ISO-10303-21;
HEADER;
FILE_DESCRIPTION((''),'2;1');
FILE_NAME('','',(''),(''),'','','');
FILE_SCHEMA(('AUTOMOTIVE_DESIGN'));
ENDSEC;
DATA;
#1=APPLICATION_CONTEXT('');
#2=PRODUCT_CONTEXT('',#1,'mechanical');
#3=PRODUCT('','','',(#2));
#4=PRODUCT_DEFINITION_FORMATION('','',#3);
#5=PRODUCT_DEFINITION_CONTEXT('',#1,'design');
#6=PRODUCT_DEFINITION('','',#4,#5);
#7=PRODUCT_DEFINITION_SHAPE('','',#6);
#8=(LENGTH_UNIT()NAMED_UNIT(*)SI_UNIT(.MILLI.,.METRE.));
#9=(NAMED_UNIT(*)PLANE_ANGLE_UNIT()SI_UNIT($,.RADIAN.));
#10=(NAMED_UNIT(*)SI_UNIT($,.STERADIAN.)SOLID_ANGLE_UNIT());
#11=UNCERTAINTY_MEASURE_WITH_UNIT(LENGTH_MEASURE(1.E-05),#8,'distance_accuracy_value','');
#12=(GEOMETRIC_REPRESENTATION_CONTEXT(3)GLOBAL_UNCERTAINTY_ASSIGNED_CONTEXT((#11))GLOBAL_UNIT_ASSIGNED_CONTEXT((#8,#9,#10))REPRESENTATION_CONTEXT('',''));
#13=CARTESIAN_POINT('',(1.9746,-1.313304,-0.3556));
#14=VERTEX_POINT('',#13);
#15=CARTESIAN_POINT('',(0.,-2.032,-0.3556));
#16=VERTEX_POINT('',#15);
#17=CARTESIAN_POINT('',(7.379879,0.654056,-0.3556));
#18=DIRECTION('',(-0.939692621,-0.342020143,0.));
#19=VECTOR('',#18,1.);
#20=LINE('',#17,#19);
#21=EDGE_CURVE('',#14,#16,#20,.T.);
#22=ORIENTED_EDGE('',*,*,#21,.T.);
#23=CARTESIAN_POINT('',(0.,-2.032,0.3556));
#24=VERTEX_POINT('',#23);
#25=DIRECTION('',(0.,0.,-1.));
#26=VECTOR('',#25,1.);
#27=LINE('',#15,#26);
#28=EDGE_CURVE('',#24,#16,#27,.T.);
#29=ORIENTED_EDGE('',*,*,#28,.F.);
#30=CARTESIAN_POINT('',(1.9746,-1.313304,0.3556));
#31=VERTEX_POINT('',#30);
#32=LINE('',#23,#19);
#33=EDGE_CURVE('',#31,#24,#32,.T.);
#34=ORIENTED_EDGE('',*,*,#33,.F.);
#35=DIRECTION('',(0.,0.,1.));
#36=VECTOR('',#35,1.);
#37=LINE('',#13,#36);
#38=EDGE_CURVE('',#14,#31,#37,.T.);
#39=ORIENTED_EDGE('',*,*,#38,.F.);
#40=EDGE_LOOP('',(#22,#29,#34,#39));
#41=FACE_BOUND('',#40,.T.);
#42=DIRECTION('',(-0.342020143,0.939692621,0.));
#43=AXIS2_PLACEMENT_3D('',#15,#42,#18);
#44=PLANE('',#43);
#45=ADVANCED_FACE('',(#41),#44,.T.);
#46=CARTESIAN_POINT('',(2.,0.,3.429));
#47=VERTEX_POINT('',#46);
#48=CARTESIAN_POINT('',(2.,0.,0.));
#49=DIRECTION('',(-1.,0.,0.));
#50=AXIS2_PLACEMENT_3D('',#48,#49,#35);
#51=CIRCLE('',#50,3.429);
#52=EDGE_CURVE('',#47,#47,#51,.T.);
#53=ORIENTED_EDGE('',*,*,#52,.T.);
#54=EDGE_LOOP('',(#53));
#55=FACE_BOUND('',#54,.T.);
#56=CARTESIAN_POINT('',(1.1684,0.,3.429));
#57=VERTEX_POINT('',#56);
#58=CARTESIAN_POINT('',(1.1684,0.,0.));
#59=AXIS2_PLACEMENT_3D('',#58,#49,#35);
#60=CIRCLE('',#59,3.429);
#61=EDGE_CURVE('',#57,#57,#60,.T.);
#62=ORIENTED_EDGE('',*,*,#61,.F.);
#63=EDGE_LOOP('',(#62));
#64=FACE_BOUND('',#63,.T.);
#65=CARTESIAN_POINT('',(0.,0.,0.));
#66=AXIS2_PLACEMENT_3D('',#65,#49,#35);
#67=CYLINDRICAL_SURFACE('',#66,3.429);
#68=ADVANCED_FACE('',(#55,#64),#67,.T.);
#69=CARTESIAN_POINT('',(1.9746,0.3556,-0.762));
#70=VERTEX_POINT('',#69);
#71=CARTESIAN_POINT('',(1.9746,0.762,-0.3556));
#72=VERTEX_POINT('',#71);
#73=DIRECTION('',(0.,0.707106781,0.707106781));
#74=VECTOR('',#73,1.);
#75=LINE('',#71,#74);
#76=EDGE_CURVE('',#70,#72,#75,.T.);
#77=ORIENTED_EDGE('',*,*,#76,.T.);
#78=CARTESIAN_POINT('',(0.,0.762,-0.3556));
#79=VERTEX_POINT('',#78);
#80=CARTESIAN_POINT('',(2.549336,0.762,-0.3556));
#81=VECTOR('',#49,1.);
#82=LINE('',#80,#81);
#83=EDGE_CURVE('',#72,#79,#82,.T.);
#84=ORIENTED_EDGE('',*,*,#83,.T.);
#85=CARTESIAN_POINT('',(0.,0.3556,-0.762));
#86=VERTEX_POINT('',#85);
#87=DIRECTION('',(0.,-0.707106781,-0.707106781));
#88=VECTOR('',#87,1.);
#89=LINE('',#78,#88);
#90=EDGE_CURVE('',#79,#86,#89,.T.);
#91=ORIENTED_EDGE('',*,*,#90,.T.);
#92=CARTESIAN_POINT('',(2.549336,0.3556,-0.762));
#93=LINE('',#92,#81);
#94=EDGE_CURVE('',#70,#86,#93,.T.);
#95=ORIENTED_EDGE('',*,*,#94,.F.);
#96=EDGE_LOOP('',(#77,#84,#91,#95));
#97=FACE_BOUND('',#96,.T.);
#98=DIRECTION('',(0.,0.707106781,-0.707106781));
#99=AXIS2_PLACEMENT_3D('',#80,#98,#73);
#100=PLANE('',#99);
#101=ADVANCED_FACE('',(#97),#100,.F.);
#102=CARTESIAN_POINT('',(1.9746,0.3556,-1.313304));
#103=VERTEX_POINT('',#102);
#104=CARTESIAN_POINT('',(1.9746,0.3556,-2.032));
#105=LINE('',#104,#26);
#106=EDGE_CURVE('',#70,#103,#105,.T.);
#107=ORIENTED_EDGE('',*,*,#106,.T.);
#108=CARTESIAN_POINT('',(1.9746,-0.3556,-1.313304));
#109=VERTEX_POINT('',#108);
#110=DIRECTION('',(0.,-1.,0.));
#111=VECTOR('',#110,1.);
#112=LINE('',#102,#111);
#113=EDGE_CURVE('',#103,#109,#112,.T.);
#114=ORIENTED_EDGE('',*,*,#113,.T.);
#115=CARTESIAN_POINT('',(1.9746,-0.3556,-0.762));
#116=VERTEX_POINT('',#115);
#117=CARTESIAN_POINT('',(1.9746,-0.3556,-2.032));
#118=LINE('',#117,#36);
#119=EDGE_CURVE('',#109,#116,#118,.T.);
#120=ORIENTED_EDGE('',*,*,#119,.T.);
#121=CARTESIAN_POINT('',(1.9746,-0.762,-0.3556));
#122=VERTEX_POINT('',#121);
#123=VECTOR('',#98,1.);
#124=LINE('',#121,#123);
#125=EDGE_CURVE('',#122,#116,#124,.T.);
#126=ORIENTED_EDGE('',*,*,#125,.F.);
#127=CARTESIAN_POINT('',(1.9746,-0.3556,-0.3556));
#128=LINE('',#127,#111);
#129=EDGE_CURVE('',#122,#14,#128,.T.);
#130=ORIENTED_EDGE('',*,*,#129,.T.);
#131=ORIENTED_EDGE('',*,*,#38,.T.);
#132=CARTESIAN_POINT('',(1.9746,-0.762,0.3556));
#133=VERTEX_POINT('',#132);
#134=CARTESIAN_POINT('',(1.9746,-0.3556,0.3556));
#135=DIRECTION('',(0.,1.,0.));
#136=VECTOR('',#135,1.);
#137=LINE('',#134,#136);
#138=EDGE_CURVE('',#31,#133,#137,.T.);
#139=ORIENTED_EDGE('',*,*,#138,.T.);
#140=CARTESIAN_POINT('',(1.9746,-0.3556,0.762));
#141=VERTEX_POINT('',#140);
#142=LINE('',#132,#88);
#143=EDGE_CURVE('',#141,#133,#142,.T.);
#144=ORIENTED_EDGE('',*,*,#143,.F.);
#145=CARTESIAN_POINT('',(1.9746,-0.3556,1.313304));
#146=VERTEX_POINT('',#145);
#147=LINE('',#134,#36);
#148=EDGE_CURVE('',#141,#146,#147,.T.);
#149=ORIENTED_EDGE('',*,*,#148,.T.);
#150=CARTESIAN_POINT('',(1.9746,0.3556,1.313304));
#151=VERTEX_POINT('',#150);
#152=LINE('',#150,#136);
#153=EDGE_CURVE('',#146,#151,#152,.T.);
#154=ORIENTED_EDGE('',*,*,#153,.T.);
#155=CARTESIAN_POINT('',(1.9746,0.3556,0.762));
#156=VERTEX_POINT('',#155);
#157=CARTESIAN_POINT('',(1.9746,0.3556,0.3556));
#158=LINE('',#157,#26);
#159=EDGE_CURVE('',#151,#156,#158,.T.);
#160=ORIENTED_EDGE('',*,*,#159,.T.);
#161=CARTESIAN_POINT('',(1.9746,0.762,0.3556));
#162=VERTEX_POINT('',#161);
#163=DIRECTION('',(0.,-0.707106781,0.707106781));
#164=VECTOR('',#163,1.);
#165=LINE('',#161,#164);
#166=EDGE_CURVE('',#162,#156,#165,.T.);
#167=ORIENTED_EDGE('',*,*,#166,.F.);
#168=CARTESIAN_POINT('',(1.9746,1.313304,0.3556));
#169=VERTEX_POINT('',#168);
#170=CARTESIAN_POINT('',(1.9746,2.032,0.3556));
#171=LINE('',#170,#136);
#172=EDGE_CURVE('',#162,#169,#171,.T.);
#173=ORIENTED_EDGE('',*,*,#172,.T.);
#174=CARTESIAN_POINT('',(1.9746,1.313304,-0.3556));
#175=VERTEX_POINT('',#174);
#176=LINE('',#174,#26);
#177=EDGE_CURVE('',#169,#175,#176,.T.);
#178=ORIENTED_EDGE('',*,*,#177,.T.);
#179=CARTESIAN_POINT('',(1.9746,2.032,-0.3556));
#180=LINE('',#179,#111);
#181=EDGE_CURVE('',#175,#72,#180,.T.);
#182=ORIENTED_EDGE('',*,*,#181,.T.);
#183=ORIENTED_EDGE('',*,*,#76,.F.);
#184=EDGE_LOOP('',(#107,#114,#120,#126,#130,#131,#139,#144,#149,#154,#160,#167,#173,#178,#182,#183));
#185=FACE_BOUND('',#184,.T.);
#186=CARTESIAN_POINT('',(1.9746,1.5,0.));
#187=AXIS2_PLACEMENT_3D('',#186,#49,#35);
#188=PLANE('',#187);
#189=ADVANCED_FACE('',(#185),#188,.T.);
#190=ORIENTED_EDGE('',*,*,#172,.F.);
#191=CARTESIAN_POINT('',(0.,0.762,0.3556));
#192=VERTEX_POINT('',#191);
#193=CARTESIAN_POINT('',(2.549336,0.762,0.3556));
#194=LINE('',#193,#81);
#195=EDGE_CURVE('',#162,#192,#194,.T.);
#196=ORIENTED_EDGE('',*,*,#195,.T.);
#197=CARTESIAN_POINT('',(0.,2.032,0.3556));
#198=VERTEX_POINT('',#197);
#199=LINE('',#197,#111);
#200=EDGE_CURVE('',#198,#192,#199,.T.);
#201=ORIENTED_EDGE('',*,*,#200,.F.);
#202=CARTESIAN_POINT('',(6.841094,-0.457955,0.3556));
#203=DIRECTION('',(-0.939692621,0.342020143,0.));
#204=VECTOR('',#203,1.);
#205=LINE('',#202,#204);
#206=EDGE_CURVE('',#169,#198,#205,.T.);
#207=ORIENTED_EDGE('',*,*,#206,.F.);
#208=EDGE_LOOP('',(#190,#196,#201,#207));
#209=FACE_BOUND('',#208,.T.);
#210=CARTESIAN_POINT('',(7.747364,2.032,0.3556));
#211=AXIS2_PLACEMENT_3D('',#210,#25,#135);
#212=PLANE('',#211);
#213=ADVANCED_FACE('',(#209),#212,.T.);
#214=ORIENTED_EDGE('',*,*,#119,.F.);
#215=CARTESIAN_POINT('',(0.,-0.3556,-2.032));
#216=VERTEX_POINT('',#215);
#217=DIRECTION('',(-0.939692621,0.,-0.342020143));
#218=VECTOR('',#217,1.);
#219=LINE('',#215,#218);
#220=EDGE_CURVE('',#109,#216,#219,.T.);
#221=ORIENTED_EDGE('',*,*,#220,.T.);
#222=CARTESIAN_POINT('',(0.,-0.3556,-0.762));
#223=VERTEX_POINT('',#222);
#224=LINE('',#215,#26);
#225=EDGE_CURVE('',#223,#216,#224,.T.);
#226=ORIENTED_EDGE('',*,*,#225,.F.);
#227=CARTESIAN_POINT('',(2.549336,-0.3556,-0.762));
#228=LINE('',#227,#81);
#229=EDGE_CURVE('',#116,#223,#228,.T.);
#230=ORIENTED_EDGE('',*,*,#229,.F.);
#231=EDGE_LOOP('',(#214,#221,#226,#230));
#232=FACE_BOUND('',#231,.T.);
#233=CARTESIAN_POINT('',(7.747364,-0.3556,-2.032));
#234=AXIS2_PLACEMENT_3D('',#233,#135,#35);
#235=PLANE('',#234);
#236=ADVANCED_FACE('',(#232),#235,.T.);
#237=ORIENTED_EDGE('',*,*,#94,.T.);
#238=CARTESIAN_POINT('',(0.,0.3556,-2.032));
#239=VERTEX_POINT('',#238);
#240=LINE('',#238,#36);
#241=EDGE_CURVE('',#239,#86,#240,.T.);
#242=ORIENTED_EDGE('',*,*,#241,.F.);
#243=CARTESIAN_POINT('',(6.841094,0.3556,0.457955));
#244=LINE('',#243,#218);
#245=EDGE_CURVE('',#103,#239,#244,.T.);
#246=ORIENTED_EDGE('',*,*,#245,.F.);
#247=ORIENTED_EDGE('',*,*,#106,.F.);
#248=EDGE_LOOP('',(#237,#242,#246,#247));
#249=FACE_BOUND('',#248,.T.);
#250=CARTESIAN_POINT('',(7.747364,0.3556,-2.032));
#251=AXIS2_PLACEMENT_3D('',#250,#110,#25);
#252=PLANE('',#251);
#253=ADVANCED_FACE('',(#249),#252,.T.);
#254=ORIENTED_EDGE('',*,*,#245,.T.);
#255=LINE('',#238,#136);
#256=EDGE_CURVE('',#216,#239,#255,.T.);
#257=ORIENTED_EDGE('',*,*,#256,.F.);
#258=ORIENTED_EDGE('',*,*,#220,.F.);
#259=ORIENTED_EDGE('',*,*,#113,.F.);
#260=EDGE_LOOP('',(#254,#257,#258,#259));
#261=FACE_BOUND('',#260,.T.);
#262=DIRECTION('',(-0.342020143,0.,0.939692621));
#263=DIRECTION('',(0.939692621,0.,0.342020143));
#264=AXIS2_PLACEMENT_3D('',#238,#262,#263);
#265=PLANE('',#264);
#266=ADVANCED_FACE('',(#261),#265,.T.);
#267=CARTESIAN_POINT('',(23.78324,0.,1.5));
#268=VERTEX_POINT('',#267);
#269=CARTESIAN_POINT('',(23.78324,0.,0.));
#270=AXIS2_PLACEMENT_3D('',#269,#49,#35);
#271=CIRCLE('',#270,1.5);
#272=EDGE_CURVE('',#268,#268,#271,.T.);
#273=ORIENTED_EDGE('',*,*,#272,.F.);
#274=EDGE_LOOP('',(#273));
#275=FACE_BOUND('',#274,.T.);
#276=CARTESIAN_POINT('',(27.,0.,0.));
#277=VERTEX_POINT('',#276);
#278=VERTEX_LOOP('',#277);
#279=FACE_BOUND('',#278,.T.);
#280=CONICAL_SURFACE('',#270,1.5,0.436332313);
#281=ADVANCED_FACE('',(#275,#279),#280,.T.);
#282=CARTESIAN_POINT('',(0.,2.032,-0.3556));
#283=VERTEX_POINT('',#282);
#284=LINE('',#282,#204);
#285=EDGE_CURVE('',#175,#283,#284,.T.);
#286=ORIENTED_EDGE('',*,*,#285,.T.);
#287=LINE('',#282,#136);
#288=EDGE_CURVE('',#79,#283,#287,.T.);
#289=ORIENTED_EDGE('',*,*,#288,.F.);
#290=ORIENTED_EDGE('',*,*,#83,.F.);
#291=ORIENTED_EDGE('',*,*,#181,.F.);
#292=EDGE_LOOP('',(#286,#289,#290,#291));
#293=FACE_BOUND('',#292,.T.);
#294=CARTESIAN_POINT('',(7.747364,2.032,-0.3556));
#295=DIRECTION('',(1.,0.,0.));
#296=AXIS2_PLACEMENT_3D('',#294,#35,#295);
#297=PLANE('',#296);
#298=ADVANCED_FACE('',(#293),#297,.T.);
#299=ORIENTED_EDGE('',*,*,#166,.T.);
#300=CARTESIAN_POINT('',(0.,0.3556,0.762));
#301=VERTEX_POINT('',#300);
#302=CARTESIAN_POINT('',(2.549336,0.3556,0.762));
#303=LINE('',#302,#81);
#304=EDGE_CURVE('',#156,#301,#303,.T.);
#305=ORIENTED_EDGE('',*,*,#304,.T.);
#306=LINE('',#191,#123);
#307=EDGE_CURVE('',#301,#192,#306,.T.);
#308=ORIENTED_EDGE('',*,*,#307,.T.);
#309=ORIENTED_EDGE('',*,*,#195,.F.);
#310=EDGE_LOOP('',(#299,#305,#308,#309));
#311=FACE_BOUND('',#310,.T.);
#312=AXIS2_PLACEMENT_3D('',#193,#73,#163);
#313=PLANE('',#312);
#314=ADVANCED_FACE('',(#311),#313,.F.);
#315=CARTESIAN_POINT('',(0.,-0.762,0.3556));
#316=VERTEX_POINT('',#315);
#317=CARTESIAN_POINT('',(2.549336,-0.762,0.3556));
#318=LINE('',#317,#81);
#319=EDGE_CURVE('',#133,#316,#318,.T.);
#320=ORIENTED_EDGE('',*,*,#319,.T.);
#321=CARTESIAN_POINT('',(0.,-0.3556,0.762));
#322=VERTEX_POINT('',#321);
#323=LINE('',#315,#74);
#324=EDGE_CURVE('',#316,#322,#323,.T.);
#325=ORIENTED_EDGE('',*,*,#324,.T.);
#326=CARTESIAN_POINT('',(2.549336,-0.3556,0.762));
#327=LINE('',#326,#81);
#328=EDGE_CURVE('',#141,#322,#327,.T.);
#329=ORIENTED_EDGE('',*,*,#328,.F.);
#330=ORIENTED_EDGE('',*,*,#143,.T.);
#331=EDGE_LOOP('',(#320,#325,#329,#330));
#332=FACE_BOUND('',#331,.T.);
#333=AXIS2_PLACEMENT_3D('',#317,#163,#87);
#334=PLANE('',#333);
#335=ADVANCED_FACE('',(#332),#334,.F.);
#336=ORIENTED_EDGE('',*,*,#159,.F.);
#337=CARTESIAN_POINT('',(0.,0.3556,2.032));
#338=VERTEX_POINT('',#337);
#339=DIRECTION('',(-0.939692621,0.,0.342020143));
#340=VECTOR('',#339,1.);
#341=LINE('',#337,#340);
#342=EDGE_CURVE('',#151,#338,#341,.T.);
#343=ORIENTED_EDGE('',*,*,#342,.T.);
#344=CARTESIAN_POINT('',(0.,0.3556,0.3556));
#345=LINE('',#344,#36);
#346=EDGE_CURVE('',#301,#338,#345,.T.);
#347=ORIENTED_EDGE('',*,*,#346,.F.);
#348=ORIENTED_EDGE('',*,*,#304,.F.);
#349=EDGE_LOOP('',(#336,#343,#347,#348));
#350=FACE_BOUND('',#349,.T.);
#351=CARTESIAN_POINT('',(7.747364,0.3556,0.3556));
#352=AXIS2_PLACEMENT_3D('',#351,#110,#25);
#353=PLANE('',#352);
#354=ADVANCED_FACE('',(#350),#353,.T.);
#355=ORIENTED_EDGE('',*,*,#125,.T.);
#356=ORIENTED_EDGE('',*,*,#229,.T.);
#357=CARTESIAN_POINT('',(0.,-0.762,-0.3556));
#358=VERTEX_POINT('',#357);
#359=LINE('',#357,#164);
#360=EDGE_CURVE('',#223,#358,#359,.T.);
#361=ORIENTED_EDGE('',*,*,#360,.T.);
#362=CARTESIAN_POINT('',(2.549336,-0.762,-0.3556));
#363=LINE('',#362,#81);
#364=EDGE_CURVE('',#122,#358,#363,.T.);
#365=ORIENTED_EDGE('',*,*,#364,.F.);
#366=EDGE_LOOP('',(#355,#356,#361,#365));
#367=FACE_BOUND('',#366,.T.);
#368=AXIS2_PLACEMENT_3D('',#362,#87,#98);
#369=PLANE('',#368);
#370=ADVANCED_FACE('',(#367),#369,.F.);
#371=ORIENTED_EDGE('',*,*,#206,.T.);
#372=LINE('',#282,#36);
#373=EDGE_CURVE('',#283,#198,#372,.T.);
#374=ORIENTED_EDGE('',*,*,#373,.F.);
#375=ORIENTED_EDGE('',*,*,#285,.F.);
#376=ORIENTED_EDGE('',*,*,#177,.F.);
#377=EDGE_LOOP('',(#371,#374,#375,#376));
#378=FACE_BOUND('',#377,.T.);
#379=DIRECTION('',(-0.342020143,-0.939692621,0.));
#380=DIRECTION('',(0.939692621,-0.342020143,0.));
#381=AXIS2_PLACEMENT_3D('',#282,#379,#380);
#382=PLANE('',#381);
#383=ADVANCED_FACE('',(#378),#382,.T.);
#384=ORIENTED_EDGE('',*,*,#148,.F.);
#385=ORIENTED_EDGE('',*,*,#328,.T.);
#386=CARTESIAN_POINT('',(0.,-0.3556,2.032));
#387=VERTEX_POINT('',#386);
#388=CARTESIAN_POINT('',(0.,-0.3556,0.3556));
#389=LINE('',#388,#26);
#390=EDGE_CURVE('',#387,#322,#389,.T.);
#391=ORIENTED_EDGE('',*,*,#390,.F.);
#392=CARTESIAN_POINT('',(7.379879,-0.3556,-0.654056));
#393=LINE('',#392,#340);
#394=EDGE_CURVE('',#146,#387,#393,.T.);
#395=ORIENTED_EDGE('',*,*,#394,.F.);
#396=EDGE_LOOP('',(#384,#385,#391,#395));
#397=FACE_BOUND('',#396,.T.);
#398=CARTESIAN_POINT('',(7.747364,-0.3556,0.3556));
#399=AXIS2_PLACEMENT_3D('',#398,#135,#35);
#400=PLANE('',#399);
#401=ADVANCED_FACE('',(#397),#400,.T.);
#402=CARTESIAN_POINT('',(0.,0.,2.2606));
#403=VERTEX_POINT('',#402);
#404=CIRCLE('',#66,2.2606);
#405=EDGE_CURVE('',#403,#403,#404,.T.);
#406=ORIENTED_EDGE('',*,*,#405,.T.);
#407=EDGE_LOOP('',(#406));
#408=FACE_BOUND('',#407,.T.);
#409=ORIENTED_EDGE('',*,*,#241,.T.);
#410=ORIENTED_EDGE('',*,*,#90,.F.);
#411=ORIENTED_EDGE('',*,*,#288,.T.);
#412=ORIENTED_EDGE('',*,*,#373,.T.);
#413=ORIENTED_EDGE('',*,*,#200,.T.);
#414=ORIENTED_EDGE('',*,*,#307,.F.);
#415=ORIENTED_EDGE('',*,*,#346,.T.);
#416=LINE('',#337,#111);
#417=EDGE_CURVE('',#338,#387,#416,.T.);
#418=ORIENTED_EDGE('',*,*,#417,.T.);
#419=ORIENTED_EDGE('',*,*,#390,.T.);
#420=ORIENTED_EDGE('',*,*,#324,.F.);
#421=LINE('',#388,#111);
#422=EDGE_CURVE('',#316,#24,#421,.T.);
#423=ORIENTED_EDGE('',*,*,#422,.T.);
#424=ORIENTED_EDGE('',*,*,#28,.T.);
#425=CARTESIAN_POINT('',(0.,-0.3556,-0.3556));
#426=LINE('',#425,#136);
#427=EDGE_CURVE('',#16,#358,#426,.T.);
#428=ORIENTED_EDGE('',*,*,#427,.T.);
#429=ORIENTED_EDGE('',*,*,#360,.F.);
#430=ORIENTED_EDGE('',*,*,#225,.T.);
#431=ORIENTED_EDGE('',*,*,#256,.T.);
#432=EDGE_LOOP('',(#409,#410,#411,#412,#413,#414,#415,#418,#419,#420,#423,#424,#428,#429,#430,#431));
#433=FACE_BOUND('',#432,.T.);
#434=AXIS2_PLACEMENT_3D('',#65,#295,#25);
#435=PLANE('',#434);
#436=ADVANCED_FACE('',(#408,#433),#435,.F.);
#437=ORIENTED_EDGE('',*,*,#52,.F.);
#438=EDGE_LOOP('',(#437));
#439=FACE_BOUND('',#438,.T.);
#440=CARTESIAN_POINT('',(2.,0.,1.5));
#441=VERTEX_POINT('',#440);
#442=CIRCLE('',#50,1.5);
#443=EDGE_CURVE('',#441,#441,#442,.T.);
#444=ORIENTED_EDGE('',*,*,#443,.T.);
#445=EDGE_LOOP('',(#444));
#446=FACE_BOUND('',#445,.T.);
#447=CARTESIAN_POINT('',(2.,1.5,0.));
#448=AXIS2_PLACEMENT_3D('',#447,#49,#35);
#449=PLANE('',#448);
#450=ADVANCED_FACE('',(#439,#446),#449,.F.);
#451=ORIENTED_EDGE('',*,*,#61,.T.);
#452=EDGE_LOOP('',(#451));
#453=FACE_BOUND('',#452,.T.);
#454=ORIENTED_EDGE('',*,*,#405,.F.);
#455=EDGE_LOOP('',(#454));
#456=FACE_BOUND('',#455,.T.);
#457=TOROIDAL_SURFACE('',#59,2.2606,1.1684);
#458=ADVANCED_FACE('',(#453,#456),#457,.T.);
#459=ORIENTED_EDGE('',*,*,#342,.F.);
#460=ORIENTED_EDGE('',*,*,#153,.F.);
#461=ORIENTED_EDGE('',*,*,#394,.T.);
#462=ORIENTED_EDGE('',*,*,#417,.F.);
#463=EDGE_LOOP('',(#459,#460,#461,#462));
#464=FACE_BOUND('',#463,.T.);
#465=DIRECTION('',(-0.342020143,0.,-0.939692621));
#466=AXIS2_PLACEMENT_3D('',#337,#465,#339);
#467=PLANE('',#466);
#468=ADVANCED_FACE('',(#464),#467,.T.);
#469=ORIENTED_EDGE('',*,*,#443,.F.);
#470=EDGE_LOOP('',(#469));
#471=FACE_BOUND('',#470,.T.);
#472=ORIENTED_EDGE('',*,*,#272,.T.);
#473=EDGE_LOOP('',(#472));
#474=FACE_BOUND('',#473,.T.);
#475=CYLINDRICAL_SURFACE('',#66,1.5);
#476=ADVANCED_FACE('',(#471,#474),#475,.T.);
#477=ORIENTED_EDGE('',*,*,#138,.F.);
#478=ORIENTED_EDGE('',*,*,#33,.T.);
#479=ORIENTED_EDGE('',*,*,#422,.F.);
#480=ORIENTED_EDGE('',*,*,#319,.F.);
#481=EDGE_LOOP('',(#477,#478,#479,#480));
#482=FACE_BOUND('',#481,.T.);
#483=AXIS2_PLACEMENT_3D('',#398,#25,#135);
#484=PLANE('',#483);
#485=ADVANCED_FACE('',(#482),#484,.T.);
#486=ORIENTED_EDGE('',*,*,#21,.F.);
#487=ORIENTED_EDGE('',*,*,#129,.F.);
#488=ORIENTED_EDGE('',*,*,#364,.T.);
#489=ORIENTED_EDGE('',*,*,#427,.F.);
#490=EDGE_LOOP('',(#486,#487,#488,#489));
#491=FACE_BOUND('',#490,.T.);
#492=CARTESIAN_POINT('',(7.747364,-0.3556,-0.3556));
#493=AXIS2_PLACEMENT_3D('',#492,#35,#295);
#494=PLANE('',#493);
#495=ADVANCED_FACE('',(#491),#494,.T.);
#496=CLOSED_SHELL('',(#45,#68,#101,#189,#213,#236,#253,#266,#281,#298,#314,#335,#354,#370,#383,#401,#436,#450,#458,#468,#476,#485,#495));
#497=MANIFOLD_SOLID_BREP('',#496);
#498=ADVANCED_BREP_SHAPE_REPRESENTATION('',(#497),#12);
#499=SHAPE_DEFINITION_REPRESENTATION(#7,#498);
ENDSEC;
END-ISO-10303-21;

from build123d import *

# Parameters (mm, degrees)
CUT_EXTRUDE3_DEPTH         = 1.9746
DRAFT1_ANGLE               = 20
RECESSI_CUT_EXTRUDE5_DEPTH = 1.9746


with BuildPart() as part:
    # Sketch1 → base-Revolve (revolve)
    with BuildSketch(Plane.XY, mode=Mode.PRIVATE) as base_revolve_sk:
        with BuildLine():
            Line((0, 0), (0, 2.2606))
            ThreePointArc((0, 2.2606), (0.342216437, 3.086783563), (1.1684, 3.429))
            Line((1.1684, 3.429), (2, 3.429))
            Line((2, 3.429), (2, 1.5))
            Line((2, 1.5), (27, 1.5))
            Line((27, 1.5), (27, 0))
            Line((27, 0), (0, 0))
        make_face()
    revolve(base_revolve_sk.sketch.rotate(Axis((0, 0, 0), (1, 0, 0)), 90), axis=Axis((0, 0, 0), (1, 0, 0)))

    # Sketch4 → Cut-Extrude3 (cut)
    with BuildSketch(Plane(origin=(0, 0, 0), x_dir=(0, 0, -1), z_dir=(1, 0, 0))):
        Polygon((0.3556, 2.032), (-0.3556, 2.032), (-0.3556, 0.3556), (-2.032, 0.3556), (-2.032, -0.3556), (-0.3556, -0.3556), (-0.3556, -2.032), (0.3556, -2.032), (0.3556, -0.3556), (2.032, -0.3556), (2.032, 0.3556), (0.3556, 0.3556), align=None)
    extrude(amount=CUT_EXTRUDE3_DEPTH, mode=Mode.SUBTRACT)

    # Draft1
    draft1_faces = [part.faces().sort_by_distance(p)[0] for p in [
        (0.9873, 0, -2.032),
        (0.9873, -2.032, 0),
        (0.9873, 0, 2.032),
        (0.9873, 2.032, 0),
    ]]
    draft(draft1_faces, Plane(origin=(0, 0, 0), x_dir=(0, 0, -1), z_dir=(-1, 0, 0)), DRAFT1_ANGLE)

    # Sketch5 → recessI_Cut-Extrude5 (cut)
    with BuildSketch(Plane.ZY):
        Polygon((0.3556, 0.762), (0.762, 0.3556), (0.3556, 0.3556), align=None)
        Polygon((-0.3556, 0.3556), (-0.762, 0.3556), (-0.3556, 0.762), align=None)
        Polygon((-0.3556, -0.762), (-0.762, -0.3556), (-0.3556, -0.3556), align=None)
        Polygon((0.3556, -0.3556), (0.762, -0.3556), (0.3556, -0.762), align=None)
    extrude(amount=-RECESSI_CUT_EXTRUDE5_DEPTH, mode=Mode.SUBTRACT)

    # Sketch14 → point_Cut-Revolve3 (revolve, cut)
    with BuildSketch(Plane.XY, mode=Mode.PRIVATE) as point_cut_revolve3_sk:
        Polygon((27, 0), (23.783239619, 1.5), (27.184454292, 1.5), (27.184454292, 0), align=None)
    revolve(point_cut_revolve3_sk.sketch.rotate(Axis((0, 0, 0), (1, 0, 0)), 90), axis=Axis((0, 0, 0), (1, 0, 0)), mode=Mode.SUBTRACT)


solid = part.part
